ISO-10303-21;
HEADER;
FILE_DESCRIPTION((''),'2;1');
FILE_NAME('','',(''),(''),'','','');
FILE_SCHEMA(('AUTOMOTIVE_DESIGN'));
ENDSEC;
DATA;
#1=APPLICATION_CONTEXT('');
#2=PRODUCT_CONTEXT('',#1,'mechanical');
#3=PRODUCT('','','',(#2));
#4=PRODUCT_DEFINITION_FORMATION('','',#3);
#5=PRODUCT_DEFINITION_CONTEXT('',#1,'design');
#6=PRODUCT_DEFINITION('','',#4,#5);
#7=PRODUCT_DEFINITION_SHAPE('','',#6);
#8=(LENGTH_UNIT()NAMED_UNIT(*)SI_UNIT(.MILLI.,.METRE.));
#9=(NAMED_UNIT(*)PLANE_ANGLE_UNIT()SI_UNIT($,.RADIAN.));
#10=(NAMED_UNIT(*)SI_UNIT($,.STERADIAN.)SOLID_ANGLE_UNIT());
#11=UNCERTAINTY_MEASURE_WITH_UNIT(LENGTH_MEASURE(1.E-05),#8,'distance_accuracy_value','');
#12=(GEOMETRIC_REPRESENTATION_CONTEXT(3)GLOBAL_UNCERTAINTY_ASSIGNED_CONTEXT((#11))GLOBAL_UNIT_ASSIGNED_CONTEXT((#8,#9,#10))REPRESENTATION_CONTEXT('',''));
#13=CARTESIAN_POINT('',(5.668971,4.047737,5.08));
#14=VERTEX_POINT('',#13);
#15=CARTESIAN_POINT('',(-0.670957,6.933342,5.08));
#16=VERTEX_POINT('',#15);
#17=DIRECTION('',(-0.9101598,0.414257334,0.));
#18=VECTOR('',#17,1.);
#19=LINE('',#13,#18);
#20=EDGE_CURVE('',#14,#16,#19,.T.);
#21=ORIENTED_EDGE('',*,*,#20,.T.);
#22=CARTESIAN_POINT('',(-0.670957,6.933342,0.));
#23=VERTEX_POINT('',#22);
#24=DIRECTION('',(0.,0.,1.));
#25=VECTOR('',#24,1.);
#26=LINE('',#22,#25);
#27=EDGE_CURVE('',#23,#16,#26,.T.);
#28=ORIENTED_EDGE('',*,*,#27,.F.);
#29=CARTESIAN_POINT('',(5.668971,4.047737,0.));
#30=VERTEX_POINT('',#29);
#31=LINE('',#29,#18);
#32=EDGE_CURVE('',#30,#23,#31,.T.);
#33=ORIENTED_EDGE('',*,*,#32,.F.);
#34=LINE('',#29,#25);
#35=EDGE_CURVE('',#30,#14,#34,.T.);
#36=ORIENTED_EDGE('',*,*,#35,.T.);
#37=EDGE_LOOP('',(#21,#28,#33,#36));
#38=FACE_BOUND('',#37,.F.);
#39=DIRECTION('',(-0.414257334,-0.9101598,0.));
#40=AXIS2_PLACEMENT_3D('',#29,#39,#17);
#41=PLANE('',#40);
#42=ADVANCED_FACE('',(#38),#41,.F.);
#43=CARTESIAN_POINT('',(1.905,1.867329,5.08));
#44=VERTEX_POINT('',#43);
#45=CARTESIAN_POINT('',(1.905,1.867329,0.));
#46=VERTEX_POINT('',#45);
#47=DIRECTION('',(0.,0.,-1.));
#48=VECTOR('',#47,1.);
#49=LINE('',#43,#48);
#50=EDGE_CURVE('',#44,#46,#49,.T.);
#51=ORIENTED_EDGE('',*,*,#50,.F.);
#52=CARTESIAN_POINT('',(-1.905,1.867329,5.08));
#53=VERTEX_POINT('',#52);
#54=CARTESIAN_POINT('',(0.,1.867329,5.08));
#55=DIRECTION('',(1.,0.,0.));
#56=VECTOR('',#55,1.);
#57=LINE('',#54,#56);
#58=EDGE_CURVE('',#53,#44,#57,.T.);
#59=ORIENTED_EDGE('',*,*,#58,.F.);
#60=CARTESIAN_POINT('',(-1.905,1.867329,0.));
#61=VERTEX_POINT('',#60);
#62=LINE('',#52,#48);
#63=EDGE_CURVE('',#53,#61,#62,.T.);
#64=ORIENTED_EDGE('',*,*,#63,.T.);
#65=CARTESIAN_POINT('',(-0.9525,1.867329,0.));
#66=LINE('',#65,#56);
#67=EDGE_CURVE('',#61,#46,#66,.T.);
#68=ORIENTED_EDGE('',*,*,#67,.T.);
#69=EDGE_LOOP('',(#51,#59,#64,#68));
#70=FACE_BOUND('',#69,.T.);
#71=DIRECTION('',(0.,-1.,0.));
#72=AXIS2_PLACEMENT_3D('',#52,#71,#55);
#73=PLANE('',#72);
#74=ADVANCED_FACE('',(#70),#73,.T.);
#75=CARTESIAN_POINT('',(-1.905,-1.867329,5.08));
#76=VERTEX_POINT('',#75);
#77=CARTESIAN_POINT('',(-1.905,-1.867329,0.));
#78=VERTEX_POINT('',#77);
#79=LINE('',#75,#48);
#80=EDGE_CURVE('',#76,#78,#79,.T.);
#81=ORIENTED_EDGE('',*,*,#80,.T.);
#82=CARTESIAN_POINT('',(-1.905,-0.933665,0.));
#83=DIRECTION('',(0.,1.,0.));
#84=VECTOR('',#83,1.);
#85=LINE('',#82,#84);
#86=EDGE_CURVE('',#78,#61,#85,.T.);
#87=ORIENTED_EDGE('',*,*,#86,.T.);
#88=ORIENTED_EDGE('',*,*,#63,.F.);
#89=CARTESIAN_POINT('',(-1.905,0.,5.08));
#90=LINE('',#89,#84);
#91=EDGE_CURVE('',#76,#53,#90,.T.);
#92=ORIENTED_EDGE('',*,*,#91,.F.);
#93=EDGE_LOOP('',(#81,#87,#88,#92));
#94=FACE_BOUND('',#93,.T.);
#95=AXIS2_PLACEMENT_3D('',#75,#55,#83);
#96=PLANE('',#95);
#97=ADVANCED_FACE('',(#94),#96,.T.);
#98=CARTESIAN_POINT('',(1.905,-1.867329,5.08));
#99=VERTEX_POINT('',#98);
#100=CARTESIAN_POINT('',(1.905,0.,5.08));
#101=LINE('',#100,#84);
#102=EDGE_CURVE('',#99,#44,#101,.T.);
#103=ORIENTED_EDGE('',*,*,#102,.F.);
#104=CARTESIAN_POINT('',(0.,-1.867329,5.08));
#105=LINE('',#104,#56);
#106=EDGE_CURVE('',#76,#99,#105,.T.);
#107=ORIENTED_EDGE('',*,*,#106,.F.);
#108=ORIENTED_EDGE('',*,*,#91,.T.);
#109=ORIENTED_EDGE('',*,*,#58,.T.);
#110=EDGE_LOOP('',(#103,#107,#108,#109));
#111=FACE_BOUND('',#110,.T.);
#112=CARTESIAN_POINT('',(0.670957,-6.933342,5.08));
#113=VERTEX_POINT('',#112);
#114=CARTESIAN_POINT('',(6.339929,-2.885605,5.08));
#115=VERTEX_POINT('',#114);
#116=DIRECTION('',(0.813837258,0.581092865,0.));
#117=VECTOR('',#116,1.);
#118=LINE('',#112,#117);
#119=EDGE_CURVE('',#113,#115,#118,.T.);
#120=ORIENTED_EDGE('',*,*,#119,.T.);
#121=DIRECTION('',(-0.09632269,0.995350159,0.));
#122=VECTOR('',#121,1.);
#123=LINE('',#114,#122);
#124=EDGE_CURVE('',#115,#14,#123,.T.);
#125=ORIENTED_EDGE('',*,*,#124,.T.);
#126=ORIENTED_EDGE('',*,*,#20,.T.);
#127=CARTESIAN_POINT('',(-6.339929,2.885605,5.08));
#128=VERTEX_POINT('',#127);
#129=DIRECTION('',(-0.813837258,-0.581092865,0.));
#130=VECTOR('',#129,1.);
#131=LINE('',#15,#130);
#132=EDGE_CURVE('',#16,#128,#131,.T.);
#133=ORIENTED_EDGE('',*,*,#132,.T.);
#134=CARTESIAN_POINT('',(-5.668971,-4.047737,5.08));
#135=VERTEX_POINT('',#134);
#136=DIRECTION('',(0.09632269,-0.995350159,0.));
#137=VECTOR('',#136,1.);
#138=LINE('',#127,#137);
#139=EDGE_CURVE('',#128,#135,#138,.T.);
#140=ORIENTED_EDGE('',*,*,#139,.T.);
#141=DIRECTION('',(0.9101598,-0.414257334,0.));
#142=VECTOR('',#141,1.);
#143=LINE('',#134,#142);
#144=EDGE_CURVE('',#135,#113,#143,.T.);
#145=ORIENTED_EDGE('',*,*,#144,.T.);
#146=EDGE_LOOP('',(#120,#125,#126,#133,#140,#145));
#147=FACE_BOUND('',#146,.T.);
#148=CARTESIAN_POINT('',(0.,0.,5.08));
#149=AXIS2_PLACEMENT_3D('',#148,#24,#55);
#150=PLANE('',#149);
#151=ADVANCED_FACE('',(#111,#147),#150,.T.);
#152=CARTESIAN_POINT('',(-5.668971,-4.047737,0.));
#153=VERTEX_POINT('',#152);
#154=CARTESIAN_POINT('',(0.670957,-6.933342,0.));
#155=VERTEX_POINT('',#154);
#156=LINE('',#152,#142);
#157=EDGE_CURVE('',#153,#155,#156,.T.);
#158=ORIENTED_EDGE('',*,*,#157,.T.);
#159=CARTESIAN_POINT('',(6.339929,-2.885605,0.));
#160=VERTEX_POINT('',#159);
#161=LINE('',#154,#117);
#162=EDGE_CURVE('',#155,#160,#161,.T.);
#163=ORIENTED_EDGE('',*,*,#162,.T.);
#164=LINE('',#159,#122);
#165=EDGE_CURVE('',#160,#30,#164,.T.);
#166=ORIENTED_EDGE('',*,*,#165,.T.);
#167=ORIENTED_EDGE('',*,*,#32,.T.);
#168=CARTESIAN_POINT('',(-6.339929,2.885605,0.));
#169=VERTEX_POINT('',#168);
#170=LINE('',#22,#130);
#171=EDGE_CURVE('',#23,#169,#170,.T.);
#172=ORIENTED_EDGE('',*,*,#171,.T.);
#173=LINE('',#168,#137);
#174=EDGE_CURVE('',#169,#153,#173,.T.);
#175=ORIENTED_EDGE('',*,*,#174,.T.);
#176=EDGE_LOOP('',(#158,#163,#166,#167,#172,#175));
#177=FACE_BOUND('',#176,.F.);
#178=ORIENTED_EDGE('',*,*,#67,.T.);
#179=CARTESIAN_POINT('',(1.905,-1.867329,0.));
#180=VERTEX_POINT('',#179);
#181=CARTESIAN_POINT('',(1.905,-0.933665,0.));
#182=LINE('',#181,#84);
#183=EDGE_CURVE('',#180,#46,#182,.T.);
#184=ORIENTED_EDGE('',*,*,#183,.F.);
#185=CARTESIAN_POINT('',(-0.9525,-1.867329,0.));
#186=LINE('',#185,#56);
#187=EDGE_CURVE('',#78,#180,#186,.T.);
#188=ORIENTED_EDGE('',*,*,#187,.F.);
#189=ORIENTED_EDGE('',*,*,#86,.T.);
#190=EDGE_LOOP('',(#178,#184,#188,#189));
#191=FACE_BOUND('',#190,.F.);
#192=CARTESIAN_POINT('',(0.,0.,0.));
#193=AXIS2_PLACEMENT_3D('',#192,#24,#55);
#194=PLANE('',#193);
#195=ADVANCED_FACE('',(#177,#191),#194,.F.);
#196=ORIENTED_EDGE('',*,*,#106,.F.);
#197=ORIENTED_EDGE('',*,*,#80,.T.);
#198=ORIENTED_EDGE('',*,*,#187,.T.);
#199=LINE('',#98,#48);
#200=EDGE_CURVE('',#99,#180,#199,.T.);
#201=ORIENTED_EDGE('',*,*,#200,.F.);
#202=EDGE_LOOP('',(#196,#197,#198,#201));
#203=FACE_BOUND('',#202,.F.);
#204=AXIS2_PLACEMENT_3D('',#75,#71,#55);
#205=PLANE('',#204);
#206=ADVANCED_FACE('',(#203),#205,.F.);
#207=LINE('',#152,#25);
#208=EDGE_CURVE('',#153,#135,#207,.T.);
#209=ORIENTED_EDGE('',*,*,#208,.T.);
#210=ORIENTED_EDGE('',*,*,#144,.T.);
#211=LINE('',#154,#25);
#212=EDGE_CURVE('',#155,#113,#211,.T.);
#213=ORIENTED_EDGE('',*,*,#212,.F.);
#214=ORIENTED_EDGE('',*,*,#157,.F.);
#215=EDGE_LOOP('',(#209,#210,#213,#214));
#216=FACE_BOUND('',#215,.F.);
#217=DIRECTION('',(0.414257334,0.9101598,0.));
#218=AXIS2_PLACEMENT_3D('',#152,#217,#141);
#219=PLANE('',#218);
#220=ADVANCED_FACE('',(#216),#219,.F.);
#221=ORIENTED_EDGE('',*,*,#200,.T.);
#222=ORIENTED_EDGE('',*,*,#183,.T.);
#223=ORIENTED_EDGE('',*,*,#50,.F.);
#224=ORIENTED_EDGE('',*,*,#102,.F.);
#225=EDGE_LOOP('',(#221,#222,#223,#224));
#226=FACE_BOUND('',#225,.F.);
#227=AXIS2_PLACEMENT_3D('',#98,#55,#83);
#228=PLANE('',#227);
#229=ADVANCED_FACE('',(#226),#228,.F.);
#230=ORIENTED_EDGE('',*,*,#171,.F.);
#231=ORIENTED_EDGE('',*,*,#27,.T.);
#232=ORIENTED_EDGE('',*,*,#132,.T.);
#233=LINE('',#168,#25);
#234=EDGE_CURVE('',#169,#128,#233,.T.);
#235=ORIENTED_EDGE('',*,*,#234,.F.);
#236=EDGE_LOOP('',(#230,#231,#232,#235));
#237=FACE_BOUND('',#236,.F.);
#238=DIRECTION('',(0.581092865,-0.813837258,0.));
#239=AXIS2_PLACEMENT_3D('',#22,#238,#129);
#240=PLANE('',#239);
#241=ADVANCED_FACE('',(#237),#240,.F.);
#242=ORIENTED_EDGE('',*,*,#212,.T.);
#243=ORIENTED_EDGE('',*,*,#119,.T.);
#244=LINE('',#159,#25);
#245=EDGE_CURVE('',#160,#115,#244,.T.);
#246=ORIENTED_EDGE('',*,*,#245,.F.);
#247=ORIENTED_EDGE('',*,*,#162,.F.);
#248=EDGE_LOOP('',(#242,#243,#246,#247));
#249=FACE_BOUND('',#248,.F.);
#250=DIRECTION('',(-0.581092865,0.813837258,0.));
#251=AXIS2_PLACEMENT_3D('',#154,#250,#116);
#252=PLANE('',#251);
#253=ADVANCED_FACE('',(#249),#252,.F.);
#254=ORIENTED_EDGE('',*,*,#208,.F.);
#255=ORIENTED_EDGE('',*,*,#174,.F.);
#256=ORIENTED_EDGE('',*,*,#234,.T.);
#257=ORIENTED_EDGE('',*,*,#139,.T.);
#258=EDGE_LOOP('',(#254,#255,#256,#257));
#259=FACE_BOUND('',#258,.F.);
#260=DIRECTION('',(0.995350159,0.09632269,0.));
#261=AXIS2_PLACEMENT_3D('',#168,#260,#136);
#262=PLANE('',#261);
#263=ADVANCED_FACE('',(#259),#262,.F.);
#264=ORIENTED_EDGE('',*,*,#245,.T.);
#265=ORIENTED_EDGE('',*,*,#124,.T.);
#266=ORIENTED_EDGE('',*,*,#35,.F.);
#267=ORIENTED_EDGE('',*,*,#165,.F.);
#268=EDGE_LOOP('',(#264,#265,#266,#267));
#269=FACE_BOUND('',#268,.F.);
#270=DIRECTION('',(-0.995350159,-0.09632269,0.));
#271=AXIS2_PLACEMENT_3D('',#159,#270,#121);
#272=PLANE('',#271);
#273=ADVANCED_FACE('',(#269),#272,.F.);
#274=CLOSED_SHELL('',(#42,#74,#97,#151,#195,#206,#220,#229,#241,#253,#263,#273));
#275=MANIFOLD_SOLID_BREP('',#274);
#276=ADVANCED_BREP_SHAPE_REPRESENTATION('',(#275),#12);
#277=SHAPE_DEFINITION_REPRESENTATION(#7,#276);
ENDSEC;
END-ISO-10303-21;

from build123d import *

# Parameters (mm, degrees)
F1_DEPTH = 5.08
F2_W     = 3.81
F2_H     = 3.734658
F3_DEPTH = 25.4


with BuildPart() as f1:
    # F0 (on Top) → F1 (new body)
    with BuildSketch(Plane.XY):
        Polygon((0.670957, -6.933342), (6.339929, -2.885605), (5.668971, 4.047737), (-0.670957, 6.933342), (-6.339929, 2.885605), (-5.668971, -4.047737), align=None)
    extrude(amount=F1_DEPTH)

    # F2 (on face) → F3 (cut)
    with BuildSketch(Plane.XY.offset(5.08)):
        Rectangle(F2_W, F2_H)
    extrude(amount=-F3_DEPTH, mode=Mode.SUBTRACT)


solid = f1.part
